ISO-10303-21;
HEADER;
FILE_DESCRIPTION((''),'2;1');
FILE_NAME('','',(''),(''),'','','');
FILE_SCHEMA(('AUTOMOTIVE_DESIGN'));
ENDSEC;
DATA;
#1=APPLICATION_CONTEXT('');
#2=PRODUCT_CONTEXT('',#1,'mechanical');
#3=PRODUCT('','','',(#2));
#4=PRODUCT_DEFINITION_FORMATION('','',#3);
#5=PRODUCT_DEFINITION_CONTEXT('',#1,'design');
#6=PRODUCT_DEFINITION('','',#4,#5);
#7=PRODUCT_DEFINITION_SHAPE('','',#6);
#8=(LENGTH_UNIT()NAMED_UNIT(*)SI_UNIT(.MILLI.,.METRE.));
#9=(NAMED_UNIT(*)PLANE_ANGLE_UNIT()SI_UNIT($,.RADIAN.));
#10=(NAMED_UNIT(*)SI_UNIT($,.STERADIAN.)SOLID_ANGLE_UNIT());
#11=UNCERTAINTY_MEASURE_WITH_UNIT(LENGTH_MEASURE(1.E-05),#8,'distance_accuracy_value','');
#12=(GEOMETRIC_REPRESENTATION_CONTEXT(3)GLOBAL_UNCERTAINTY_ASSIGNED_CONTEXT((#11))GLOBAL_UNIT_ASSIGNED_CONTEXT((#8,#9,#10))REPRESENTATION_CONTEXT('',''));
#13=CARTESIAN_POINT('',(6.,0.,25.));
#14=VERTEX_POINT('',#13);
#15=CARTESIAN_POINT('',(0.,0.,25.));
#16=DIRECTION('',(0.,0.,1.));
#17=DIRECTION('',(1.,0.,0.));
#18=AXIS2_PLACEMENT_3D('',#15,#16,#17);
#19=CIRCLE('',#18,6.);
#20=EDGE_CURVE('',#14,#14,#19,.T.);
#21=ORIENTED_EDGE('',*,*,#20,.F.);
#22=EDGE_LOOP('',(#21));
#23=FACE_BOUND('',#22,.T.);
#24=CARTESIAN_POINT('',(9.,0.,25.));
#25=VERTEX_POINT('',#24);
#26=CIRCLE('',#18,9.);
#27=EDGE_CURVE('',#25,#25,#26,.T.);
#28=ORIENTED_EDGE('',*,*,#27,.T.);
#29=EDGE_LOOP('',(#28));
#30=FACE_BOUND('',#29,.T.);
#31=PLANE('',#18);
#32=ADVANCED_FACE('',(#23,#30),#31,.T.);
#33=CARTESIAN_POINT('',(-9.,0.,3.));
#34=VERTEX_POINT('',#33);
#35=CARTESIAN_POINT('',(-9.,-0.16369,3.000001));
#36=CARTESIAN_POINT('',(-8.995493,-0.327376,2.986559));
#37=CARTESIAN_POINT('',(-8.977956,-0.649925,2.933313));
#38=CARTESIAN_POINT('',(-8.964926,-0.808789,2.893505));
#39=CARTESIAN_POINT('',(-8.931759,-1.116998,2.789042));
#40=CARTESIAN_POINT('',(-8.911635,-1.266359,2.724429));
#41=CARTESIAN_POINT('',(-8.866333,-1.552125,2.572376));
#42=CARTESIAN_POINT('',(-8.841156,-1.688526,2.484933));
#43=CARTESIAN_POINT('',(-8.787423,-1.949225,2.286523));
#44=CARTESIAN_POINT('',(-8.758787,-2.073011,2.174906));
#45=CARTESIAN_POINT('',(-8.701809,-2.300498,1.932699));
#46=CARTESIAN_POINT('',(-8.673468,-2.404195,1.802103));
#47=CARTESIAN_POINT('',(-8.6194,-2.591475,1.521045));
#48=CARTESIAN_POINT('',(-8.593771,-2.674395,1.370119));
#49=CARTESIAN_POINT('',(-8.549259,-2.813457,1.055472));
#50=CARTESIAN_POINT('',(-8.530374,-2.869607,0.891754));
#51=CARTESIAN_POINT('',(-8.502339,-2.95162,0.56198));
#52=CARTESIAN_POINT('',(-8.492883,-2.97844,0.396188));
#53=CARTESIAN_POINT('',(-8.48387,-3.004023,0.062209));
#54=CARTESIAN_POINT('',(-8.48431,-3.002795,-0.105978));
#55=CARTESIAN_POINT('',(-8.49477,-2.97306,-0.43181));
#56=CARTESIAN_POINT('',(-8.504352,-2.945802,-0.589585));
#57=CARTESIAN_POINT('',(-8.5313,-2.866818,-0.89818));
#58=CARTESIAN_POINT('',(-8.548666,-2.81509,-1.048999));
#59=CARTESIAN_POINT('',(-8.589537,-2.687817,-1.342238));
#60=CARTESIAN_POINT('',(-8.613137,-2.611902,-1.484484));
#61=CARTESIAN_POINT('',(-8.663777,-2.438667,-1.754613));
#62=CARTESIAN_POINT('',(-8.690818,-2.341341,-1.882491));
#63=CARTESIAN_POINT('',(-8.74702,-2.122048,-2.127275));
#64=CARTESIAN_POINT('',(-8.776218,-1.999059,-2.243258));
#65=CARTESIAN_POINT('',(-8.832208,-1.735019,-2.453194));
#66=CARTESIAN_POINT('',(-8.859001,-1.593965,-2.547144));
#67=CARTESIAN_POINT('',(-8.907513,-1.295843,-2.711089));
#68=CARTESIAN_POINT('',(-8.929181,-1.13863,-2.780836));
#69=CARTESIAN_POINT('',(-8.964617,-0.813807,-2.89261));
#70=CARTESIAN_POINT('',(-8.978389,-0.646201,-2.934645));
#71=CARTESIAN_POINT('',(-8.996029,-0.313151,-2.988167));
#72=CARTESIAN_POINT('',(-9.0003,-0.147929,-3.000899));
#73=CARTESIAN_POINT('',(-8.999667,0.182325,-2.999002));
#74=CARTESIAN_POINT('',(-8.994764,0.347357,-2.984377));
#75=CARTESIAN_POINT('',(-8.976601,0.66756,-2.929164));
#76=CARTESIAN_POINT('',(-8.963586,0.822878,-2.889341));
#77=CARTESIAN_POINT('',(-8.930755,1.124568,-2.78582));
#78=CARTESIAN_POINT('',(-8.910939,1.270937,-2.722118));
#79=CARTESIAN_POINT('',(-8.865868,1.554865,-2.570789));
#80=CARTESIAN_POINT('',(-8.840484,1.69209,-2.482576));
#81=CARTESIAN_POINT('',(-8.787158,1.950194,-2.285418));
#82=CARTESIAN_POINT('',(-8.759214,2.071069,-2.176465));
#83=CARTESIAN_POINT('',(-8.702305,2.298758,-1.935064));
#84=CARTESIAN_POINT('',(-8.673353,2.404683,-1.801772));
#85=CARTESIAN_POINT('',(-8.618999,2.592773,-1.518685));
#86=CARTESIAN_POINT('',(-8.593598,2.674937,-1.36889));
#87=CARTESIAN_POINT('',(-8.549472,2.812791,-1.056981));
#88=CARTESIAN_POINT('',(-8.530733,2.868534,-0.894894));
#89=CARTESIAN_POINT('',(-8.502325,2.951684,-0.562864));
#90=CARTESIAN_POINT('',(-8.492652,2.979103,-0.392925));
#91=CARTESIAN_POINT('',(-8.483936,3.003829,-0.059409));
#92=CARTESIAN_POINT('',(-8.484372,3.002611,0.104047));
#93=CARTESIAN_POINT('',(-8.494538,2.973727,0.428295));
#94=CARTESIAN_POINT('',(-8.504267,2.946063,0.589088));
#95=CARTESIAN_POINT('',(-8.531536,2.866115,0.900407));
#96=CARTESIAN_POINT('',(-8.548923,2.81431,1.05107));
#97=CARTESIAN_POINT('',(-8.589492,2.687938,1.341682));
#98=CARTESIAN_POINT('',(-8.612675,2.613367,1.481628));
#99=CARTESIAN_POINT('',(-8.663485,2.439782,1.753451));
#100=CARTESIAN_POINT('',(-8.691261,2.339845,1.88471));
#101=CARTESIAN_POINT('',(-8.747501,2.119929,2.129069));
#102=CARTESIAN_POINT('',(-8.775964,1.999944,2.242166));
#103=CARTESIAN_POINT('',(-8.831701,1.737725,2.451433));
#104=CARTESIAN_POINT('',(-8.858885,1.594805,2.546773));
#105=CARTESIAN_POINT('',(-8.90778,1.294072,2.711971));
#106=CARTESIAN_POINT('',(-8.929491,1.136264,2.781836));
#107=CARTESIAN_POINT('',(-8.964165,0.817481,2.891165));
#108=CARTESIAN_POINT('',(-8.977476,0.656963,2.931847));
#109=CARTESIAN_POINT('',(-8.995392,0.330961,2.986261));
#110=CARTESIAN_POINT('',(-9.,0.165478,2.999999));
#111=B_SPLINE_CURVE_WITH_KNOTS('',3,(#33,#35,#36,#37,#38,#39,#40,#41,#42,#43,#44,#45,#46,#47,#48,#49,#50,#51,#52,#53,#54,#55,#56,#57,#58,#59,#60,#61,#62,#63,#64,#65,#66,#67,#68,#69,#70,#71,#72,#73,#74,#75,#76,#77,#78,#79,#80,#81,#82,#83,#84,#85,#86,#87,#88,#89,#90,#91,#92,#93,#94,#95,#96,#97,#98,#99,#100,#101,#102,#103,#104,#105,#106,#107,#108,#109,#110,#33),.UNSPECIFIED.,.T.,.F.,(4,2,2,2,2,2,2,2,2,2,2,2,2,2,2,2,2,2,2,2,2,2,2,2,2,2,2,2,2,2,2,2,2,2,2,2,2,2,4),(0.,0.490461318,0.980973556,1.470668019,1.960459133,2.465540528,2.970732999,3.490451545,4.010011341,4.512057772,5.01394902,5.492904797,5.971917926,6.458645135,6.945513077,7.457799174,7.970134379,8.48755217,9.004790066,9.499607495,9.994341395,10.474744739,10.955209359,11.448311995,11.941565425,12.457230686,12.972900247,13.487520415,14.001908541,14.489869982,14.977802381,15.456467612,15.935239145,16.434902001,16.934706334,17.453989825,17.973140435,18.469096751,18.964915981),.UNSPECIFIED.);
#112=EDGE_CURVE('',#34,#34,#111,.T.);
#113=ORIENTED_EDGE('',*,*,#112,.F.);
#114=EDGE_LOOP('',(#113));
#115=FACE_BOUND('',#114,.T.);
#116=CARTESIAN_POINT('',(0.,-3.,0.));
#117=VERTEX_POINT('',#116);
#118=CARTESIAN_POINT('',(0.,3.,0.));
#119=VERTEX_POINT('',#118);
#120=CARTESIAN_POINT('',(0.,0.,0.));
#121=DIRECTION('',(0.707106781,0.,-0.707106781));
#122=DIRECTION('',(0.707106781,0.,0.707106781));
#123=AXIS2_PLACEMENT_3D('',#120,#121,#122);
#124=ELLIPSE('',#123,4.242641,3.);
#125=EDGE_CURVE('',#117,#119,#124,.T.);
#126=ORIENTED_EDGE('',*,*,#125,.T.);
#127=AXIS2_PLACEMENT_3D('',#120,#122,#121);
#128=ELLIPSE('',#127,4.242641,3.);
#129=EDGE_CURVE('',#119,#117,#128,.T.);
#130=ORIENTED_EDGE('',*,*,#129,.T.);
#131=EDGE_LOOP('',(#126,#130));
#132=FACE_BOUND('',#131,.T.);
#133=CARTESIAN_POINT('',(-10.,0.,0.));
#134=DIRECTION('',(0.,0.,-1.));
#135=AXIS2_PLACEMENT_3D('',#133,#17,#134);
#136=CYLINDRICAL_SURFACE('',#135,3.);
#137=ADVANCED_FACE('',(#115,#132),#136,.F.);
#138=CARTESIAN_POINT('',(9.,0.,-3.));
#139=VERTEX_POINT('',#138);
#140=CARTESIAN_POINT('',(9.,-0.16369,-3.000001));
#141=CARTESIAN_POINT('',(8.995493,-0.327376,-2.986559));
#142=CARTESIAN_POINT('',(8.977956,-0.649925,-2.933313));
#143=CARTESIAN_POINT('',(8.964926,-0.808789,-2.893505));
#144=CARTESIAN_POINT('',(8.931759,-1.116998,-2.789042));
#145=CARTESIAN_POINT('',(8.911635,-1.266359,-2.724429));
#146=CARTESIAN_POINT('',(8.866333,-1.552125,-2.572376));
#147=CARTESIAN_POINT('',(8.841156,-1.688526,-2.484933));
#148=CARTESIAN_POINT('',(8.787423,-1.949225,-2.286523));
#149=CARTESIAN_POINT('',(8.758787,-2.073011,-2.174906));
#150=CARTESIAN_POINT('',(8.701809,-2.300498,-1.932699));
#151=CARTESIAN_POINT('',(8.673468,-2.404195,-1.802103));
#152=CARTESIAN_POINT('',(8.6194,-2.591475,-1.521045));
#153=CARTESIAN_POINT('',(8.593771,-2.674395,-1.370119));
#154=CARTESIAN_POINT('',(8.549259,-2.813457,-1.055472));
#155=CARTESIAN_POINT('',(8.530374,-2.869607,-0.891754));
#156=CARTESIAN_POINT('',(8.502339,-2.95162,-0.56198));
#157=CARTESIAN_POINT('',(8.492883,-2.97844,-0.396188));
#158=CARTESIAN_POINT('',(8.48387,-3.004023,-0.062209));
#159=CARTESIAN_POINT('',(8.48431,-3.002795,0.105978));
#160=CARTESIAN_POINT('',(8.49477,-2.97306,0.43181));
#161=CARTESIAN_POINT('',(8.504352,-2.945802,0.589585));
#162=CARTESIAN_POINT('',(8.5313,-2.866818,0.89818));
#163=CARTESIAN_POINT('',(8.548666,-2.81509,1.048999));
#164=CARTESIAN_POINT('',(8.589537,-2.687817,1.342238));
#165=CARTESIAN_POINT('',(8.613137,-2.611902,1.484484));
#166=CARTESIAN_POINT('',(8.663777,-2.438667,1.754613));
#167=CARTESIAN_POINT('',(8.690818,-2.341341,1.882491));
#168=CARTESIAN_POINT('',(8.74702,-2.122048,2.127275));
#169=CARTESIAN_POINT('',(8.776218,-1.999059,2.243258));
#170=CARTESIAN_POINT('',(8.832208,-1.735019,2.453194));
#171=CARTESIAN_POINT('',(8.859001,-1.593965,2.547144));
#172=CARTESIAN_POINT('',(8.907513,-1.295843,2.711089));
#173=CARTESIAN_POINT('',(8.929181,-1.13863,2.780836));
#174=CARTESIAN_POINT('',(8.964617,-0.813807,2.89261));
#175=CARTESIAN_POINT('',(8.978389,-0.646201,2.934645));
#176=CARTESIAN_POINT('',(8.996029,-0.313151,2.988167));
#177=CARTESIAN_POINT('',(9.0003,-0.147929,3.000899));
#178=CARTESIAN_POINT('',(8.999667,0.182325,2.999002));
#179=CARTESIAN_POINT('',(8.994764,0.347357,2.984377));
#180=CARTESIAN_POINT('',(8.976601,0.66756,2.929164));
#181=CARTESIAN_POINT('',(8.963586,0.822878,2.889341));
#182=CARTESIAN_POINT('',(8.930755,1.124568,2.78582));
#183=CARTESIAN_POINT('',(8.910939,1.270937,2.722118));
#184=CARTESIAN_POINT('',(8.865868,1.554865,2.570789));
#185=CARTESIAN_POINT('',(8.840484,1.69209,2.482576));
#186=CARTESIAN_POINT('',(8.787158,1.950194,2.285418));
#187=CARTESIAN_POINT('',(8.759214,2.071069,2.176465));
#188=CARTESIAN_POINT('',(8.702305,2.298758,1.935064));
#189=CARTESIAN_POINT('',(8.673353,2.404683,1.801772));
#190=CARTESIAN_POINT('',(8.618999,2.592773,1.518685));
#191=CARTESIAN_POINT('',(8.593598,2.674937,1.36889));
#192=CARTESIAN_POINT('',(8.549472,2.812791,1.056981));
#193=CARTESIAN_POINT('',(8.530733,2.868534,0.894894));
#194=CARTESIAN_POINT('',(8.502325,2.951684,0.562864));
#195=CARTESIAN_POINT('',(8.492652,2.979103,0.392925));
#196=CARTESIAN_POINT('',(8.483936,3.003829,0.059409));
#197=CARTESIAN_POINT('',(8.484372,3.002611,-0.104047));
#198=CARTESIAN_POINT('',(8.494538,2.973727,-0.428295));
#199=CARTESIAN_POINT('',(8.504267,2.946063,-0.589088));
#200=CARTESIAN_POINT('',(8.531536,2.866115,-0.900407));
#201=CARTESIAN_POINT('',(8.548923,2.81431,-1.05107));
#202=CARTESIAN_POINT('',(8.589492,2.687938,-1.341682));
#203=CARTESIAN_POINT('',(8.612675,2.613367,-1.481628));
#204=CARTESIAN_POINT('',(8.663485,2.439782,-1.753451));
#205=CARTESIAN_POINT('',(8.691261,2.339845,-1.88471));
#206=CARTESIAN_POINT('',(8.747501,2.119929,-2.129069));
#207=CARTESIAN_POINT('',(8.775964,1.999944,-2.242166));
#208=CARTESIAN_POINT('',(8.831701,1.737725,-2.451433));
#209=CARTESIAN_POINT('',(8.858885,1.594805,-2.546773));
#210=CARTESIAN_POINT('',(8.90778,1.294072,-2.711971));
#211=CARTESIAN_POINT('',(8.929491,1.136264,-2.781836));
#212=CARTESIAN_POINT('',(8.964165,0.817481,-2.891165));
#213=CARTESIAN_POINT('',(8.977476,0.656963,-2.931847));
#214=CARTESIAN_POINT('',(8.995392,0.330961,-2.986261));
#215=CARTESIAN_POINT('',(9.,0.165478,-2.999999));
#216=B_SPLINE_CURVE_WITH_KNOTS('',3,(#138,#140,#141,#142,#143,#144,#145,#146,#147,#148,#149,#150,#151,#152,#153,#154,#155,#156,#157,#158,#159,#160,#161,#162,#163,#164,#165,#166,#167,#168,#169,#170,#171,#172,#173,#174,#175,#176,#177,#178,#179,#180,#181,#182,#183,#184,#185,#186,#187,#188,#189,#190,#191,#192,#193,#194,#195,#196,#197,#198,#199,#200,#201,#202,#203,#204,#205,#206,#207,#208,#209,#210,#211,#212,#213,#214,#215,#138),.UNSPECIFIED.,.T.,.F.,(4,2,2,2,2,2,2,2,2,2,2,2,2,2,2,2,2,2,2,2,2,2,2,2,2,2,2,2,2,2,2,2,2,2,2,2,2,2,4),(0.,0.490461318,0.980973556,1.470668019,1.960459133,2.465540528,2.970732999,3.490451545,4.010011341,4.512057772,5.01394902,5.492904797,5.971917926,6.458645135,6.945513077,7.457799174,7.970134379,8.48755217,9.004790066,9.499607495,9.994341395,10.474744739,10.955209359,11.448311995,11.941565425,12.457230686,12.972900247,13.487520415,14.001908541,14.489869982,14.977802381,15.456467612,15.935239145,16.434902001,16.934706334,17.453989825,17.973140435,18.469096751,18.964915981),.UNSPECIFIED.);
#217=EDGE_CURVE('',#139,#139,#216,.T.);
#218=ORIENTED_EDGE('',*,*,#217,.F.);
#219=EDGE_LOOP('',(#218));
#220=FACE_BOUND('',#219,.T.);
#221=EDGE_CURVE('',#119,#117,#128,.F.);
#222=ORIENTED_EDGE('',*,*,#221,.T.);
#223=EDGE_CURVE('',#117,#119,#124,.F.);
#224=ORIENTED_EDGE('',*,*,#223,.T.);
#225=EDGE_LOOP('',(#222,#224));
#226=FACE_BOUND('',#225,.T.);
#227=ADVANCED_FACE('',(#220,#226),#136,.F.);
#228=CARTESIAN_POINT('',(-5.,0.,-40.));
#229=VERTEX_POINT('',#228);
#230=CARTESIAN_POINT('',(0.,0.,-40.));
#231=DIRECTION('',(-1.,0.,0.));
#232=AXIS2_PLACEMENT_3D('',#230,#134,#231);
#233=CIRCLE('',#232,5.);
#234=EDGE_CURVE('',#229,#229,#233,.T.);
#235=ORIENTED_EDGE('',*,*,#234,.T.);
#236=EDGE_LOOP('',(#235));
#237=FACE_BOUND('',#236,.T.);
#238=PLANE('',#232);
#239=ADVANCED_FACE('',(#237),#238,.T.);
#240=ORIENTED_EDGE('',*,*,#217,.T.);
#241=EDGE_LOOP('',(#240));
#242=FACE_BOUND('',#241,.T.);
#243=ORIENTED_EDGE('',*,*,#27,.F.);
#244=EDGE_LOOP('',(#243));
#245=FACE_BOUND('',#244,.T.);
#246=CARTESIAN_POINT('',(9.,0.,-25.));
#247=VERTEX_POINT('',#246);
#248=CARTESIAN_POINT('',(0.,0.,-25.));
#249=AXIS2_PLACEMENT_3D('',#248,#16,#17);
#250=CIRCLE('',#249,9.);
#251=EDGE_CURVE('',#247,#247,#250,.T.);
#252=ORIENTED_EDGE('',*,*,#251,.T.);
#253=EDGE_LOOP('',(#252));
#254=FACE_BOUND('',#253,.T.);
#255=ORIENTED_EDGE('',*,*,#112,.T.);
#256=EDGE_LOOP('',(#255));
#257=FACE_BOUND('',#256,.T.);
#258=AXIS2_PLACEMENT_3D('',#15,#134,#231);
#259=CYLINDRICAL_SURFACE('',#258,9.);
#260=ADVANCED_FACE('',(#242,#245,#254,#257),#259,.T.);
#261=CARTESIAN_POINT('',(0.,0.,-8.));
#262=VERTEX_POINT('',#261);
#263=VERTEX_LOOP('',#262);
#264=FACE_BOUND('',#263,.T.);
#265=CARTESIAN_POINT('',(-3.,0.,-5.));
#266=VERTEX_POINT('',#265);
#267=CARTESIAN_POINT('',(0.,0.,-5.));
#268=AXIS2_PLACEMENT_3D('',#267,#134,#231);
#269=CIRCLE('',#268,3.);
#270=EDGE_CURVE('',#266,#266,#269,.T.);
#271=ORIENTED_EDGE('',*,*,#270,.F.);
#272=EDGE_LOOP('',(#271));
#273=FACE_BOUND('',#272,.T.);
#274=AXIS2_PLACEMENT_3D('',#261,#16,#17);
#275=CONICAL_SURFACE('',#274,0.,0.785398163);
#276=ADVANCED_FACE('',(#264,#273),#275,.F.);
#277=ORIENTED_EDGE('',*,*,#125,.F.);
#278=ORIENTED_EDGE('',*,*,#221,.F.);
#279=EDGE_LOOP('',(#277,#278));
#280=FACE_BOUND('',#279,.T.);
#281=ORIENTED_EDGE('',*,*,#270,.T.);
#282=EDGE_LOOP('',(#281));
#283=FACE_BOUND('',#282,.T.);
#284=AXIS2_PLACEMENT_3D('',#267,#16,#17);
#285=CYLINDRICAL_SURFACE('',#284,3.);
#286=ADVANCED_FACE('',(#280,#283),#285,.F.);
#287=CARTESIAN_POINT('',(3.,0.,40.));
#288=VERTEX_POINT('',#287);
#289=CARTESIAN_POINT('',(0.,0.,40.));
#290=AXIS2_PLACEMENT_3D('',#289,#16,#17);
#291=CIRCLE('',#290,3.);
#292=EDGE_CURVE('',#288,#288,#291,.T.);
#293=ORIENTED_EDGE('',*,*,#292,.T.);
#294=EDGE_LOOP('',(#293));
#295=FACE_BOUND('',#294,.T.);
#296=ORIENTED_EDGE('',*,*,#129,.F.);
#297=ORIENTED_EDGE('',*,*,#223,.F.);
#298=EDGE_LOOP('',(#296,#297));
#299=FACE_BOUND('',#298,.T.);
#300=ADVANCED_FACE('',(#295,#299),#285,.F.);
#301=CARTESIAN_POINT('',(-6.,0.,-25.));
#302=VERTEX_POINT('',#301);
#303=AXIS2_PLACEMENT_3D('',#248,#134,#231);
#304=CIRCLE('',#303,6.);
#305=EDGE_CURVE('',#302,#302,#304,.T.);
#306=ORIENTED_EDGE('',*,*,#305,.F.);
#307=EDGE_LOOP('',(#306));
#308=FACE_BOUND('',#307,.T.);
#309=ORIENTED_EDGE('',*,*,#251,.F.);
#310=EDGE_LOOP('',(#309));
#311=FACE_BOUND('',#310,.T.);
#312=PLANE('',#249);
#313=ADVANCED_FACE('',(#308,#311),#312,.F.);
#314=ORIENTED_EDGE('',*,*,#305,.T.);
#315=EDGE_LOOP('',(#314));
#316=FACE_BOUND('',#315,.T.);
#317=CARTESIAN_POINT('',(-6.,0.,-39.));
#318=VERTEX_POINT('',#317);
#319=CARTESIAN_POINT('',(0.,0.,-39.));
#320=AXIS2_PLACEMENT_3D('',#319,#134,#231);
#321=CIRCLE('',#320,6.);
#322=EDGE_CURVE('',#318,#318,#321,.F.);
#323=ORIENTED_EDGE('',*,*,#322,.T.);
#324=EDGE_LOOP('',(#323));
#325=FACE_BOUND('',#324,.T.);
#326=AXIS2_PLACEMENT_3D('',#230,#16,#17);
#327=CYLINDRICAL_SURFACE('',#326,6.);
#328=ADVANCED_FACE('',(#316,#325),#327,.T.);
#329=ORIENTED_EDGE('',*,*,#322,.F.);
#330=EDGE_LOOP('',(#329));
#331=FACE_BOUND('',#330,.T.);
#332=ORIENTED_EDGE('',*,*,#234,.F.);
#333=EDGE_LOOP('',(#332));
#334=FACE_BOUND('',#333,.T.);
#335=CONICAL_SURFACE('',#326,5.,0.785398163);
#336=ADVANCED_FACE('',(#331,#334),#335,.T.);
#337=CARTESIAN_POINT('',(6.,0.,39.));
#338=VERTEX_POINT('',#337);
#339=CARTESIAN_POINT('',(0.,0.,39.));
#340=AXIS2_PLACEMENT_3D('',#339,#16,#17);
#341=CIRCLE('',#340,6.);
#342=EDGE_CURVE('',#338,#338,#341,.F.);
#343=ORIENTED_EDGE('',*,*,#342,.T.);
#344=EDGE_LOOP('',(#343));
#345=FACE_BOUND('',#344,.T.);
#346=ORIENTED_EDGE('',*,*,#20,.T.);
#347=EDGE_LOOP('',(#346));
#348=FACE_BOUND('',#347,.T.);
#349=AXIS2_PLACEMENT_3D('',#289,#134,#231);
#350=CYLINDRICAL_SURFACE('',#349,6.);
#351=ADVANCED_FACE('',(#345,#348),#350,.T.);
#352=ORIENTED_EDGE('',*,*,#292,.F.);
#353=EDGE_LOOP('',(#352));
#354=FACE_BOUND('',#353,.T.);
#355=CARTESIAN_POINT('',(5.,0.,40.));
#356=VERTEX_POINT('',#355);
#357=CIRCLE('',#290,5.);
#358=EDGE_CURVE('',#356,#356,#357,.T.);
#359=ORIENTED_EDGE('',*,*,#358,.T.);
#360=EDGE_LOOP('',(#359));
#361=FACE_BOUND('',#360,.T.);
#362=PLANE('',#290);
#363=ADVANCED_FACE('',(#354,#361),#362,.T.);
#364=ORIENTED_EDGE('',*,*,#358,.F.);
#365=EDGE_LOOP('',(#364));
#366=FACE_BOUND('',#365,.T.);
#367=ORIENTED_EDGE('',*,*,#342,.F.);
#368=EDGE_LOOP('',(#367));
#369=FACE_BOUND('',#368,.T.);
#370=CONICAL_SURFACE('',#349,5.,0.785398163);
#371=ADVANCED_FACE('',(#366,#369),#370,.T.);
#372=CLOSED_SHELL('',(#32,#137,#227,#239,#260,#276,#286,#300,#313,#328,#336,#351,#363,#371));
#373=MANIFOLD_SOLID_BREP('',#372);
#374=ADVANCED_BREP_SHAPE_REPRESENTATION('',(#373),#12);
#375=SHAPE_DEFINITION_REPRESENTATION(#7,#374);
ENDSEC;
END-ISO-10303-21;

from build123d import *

# Parameters (mm, degrees)
SKETCH2_R           = 9
BOSS_EXTRUDE1_DEPTH = 25
SKETCH3_R           = 6
BOSS_EXTRUDE2_DEPTH = 15
BOSS_EXTRUDE4_START = 15
SKETCH4_R           = 6
BOSS_EXTRUDE4_DEPTH = 15
SKETCH5_R           = 3
CUT_EXTRUDE1_DEPTH  = 10
SKETCH6_R           = 3
CUT_EXTRUDE2_DEPTH  = 45
CHAMFER1_SIZE       = 1
CHAMFER2_SIZE       = 1


with BuildPart() as part:
    # Sketch2 → Boss-Extrude1 (new, symmetric)
    with BuildSketch(Plane.XY):
        Circle(SKETCH2_R)
    extrude(amount=BOSS_EXTRUDE1_DEPTH, both=True)

    # Sketch3 → Boss-Extrude2 (add)
    with BuildSketch(Plane.XY.offset(25)):
        Circle(SKETCH3_R)
    extrude(amount=BOSS_EXTRUDE2_DEPTH)

    # Sketch4 → Boss-Extrude4 (add)
    with BuildSketch(Plane(origin=(0, 0, -25), x_dir=(-1, 0, 0), z_dir=(0, 0, -1)).offset(BOSS_EXTRUDE4_START)):
        with Locations(Location((0, 0, 0), (0, 0, 180))):
            Circle(SKETCH4_R)
    extrude(amount=-BOSS_EXTRUDE4_DEPTH)

    # Sketch5 → Cut-Extrude1 (cut, symmetric)
    with BuildSketch(Plane(origin=(0, 0, 0), x_dir=(0, 0, -1), z_dir=(1, 0, 0))):
        with Locations(Location((0, 0, 0), (0, 0, 180))):
            Circle(SKETCH5_R)
    extrude(amount=CUT_EXTRUDE1_DEPTH, both=True, mode=Mode.SUBTRACT)

    # Sketch6 → Cut-Extrude2 (cut)
    with BuildSketch(Plane.XY.offset(40)):
        Circle(SKETCH6_R)
    extrude(amount=-CUT_EXTRUDE2_DEPTH, mode=Mode.SUBTRACT)

    # Sketch7 → Cut-Revolve1 (revolve, cut)
    with BuildSketch(Plane(origin=(0, 0, 0), x_dir=(1, 0, 0), z_dir=(0, 1, 0))):
        Polygon((-3, 5), (0, 8), (0, 5), align=None)
    revolve(axis=Axis((0, 0, -10.064608653), (0, 0, 1)), mode=Mode.SUBTRACT)

    # Chamfer1
    chamfer1_edges = [part.edges().sort_by_distance(p)[0] for p in [
        (-6, 0, 40),
    ]]
    chamfer(chamfer1_edges, length=CHAMFER1_SIZE)

    # Chamfer2
    chamfer2_edges = [part.edges().sort_by_distance(p)[0] for p in [
        (-6, 0, -40),
    ]]
    chamfer(chamfer2_edges, length=CHAMFER2_SIZE)


solid = part.part
